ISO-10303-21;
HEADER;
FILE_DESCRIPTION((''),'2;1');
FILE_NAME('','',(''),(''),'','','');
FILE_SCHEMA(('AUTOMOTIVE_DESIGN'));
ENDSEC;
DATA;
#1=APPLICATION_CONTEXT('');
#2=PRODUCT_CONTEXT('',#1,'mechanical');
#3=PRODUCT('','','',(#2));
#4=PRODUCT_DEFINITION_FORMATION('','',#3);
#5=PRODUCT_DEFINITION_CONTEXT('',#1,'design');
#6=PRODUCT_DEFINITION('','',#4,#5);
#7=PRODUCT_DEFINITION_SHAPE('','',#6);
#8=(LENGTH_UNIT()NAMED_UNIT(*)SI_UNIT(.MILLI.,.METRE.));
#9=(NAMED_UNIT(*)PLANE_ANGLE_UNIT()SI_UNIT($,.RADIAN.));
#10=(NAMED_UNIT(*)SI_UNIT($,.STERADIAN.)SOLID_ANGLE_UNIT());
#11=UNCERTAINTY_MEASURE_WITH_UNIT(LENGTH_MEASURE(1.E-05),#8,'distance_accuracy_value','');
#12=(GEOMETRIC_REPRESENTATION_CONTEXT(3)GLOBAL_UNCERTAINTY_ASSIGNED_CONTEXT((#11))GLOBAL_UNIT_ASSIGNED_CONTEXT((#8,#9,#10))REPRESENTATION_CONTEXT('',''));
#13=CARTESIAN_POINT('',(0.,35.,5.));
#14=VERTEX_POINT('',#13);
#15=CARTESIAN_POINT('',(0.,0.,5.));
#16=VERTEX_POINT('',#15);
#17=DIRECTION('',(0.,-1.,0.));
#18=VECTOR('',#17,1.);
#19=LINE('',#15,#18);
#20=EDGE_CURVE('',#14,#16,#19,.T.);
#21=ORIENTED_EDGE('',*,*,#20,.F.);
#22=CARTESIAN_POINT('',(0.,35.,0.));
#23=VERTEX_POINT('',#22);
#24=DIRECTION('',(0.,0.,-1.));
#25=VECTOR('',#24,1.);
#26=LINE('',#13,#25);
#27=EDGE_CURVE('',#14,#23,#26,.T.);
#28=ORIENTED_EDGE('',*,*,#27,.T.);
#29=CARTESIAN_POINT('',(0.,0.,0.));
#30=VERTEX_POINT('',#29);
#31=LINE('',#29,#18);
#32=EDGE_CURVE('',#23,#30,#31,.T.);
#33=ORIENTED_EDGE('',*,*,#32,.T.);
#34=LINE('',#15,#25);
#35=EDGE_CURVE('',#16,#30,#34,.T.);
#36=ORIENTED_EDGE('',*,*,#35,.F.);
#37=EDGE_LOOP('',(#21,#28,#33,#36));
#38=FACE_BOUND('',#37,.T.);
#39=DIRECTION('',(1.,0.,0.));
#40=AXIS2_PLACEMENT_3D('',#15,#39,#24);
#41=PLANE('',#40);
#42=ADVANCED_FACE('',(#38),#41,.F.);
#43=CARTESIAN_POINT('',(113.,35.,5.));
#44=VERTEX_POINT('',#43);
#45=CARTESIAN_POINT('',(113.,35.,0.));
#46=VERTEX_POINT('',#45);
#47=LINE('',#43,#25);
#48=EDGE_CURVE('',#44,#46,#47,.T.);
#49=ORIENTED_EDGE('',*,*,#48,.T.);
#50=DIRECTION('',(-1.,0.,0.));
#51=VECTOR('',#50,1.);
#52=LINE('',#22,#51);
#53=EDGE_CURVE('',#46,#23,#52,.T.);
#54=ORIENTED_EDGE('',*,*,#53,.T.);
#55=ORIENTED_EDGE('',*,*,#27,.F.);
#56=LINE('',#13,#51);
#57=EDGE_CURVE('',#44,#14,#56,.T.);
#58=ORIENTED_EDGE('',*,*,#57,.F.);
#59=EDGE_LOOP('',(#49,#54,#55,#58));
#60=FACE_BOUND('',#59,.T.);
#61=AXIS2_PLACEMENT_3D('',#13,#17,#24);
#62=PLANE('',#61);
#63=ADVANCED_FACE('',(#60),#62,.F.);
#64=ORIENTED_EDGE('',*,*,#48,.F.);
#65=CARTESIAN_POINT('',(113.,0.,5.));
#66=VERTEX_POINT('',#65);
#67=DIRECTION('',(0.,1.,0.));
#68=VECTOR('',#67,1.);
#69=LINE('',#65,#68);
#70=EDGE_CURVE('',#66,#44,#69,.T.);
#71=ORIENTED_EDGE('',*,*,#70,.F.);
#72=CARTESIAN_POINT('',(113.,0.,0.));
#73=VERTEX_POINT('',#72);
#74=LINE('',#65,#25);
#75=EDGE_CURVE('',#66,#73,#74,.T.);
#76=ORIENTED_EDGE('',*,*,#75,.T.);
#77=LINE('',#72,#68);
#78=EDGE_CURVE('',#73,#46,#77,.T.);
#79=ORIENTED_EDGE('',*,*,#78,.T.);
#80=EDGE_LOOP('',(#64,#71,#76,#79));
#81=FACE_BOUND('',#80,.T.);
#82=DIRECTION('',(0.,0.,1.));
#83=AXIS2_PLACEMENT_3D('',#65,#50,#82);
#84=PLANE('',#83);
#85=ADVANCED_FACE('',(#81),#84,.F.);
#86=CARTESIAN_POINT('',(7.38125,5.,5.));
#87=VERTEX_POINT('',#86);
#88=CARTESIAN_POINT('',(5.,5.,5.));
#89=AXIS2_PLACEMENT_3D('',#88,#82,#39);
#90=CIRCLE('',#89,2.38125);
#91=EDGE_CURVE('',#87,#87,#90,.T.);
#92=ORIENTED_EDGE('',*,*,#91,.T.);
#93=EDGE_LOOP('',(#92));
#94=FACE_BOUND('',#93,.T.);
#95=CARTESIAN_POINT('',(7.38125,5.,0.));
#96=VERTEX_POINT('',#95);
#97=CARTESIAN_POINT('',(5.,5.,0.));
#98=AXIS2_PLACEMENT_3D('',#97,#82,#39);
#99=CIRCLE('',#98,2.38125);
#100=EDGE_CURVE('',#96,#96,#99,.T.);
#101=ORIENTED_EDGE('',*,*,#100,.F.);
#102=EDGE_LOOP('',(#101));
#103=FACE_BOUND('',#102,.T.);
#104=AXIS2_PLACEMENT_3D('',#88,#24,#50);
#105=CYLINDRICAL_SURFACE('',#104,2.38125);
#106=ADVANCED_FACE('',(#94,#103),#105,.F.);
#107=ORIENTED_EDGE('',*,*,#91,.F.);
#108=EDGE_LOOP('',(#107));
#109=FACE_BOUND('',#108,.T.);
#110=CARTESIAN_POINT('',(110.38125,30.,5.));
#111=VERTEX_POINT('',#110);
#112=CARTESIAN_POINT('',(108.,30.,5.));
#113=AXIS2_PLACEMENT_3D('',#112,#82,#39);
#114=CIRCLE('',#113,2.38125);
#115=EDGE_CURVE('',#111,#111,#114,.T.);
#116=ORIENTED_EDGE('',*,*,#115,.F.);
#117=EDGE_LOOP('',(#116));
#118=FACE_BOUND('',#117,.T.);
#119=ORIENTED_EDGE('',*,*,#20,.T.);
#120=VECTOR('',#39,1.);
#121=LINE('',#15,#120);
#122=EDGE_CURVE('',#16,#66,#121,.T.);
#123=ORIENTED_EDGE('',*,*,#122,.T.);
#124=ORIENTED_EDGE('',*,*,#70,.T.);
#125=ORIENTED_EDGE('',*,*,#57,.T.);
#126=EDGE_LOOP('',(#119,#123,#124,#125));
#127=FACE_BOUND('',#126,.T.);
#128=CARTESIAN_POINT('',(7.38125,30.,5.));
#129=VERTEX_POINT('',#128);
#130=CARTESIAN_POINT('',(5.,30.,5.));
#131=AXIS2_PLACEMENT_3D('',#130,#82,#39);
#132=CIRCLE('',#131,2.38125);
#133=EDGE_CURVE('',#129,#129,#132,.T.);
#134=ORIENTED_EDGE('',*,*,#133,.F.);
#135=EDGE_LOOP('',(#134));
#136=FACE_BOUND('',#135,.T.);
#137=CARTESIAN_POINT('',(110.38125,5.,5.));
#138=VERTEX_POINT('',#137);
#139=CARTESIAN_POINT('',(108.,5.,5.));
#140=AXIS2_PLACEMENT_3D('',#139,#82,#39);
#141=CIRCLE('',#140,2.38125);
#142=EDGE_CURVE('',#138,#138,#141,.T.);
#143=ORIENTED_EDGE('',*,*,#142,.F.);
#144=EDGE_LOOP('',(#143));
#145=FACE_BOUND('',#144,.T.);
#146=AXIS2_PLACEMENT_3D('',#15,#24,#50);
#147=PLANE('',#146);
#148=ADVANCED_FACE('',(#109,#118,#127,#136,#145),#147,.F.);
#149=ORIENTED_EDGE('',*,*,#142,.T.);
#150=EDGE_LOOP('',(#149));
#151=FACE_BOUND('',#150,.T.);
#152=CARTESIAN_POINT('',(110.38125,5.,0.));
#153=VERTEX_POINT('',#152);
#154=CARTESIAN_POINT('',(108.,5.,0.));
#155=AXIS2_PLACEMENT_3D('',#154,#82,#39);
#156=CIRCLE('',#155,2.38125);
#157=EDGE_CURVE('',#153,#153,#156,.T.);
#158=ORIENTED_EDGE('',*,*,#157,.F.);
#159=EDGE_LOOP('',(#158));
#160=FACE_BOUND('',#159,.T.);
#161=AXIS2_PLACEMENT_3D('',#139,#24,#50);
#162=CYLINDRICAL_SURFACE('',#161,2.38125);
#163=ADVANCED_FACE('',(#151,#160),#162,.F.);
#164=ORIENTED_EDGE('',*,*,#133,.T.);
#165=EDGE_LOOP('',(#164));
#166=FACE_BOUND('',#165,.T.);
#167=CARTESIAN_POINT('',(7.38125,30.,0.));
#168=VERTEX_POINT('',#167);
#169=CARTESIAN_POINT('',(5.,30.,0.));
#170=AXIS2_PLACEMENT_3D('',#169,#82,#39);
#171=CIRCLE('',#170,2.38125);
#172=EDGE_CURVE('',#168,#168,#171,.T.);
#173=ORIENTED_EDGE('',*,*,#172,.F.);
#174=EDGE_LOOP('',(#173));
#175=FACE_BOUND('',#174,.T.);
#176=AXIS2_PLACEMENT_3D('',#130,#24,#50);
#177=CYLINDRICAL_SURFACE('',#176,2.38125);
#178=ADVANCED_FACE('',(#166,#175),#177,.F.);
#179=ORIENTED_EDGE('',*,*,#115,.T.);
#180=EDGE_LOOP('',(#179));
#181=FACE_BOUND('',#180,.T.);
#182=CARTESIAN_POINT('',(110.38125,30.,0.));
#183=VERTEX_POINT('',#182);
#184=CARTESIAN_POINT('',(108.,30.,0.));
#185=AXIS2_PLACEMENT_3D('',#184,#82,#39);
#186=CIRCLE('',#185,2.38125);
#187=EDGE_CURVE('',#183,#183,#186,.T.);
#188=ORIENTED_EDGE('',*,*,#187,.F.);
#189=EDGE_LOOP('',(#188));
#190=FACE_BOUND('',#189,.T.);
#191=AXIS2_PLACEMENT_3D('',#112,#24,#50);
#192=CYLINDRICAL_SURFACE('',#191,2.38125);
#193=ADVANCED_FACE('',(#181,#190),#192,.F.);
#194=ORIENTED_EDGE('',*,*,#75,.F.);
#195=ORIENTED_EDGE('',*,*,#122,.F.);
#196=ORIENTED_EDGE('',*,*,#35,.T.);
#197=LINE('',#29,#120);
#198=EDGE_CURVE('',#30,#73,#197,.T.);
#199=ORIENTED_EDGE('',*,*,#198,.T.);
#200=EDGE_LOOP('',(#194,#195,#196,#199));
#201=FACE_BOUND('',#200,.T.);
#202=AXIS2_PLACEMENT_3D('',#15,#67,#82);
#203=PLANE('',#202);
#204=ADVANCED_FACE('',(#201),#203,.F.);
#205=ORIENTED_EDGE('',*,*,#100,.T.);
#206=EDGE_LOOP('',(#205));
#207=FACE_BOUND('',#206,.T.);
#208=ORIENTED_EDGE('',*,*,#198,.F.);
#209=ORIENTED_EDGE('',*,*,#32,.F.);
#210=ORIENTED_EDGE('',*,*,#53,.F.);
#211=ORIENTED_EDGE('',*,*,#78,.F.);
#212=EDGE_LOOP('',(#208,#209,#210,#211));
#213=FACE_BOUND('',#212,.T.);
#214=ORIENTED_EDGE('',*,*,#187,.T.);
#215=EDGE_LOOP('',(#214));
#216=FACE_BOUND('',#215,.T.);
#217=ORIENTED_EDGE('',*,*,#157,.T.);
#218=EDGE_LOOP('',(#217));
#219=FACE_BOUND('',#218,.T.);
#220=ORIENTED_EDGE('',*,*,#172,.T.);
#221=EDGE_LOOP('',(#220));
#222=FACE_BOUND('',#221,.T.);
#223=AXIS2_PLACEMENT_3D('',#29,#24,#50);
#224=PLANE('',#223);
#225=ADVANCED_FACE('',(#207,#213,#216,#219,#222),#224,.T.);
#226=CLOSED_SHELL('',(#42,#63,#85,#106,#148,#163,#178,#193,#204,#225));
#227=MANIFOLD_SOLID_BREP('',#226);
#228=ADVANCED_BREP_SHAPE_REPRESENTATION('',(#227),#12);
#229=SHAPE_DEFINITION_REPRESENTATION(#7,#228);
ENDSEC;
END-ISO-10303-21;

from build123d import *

# Parameters (mm, degrees)
SKETCH1_W           = 113
SKETCH1_H           = 35
SKETCH1_R           = 2.38125
BOSS_EXTRUDE1_DEPTH = 5


with BuildPart() as part:
    # Sketch1 → Boss-Extrude1 (new body)
    with BuildSketch(Plane.XY):
        with Locations((56.5, 17.5)):
            Rectangle(SKETCH1_W, SKETCH1_H)
        with Locations((5, 5)):
            Circle(SKETCH1_R, mode=Mode.SUBTRACT)
        with Locations((5, 30)):
            Circle(SKETCH1_R, mode=Mode.SUBTRACT)
        with Locations((108, 30)):
            Circle(SKETCH1_R, mode=Mode.SUBTRACT)
        with Locations((108, 5)):
            Circle(SKETCH1_R, mode=Mode.SUBTRACT)
    extrude(amount=BOSS_EXTRUDE1_DEPTH)


solid = part.part
